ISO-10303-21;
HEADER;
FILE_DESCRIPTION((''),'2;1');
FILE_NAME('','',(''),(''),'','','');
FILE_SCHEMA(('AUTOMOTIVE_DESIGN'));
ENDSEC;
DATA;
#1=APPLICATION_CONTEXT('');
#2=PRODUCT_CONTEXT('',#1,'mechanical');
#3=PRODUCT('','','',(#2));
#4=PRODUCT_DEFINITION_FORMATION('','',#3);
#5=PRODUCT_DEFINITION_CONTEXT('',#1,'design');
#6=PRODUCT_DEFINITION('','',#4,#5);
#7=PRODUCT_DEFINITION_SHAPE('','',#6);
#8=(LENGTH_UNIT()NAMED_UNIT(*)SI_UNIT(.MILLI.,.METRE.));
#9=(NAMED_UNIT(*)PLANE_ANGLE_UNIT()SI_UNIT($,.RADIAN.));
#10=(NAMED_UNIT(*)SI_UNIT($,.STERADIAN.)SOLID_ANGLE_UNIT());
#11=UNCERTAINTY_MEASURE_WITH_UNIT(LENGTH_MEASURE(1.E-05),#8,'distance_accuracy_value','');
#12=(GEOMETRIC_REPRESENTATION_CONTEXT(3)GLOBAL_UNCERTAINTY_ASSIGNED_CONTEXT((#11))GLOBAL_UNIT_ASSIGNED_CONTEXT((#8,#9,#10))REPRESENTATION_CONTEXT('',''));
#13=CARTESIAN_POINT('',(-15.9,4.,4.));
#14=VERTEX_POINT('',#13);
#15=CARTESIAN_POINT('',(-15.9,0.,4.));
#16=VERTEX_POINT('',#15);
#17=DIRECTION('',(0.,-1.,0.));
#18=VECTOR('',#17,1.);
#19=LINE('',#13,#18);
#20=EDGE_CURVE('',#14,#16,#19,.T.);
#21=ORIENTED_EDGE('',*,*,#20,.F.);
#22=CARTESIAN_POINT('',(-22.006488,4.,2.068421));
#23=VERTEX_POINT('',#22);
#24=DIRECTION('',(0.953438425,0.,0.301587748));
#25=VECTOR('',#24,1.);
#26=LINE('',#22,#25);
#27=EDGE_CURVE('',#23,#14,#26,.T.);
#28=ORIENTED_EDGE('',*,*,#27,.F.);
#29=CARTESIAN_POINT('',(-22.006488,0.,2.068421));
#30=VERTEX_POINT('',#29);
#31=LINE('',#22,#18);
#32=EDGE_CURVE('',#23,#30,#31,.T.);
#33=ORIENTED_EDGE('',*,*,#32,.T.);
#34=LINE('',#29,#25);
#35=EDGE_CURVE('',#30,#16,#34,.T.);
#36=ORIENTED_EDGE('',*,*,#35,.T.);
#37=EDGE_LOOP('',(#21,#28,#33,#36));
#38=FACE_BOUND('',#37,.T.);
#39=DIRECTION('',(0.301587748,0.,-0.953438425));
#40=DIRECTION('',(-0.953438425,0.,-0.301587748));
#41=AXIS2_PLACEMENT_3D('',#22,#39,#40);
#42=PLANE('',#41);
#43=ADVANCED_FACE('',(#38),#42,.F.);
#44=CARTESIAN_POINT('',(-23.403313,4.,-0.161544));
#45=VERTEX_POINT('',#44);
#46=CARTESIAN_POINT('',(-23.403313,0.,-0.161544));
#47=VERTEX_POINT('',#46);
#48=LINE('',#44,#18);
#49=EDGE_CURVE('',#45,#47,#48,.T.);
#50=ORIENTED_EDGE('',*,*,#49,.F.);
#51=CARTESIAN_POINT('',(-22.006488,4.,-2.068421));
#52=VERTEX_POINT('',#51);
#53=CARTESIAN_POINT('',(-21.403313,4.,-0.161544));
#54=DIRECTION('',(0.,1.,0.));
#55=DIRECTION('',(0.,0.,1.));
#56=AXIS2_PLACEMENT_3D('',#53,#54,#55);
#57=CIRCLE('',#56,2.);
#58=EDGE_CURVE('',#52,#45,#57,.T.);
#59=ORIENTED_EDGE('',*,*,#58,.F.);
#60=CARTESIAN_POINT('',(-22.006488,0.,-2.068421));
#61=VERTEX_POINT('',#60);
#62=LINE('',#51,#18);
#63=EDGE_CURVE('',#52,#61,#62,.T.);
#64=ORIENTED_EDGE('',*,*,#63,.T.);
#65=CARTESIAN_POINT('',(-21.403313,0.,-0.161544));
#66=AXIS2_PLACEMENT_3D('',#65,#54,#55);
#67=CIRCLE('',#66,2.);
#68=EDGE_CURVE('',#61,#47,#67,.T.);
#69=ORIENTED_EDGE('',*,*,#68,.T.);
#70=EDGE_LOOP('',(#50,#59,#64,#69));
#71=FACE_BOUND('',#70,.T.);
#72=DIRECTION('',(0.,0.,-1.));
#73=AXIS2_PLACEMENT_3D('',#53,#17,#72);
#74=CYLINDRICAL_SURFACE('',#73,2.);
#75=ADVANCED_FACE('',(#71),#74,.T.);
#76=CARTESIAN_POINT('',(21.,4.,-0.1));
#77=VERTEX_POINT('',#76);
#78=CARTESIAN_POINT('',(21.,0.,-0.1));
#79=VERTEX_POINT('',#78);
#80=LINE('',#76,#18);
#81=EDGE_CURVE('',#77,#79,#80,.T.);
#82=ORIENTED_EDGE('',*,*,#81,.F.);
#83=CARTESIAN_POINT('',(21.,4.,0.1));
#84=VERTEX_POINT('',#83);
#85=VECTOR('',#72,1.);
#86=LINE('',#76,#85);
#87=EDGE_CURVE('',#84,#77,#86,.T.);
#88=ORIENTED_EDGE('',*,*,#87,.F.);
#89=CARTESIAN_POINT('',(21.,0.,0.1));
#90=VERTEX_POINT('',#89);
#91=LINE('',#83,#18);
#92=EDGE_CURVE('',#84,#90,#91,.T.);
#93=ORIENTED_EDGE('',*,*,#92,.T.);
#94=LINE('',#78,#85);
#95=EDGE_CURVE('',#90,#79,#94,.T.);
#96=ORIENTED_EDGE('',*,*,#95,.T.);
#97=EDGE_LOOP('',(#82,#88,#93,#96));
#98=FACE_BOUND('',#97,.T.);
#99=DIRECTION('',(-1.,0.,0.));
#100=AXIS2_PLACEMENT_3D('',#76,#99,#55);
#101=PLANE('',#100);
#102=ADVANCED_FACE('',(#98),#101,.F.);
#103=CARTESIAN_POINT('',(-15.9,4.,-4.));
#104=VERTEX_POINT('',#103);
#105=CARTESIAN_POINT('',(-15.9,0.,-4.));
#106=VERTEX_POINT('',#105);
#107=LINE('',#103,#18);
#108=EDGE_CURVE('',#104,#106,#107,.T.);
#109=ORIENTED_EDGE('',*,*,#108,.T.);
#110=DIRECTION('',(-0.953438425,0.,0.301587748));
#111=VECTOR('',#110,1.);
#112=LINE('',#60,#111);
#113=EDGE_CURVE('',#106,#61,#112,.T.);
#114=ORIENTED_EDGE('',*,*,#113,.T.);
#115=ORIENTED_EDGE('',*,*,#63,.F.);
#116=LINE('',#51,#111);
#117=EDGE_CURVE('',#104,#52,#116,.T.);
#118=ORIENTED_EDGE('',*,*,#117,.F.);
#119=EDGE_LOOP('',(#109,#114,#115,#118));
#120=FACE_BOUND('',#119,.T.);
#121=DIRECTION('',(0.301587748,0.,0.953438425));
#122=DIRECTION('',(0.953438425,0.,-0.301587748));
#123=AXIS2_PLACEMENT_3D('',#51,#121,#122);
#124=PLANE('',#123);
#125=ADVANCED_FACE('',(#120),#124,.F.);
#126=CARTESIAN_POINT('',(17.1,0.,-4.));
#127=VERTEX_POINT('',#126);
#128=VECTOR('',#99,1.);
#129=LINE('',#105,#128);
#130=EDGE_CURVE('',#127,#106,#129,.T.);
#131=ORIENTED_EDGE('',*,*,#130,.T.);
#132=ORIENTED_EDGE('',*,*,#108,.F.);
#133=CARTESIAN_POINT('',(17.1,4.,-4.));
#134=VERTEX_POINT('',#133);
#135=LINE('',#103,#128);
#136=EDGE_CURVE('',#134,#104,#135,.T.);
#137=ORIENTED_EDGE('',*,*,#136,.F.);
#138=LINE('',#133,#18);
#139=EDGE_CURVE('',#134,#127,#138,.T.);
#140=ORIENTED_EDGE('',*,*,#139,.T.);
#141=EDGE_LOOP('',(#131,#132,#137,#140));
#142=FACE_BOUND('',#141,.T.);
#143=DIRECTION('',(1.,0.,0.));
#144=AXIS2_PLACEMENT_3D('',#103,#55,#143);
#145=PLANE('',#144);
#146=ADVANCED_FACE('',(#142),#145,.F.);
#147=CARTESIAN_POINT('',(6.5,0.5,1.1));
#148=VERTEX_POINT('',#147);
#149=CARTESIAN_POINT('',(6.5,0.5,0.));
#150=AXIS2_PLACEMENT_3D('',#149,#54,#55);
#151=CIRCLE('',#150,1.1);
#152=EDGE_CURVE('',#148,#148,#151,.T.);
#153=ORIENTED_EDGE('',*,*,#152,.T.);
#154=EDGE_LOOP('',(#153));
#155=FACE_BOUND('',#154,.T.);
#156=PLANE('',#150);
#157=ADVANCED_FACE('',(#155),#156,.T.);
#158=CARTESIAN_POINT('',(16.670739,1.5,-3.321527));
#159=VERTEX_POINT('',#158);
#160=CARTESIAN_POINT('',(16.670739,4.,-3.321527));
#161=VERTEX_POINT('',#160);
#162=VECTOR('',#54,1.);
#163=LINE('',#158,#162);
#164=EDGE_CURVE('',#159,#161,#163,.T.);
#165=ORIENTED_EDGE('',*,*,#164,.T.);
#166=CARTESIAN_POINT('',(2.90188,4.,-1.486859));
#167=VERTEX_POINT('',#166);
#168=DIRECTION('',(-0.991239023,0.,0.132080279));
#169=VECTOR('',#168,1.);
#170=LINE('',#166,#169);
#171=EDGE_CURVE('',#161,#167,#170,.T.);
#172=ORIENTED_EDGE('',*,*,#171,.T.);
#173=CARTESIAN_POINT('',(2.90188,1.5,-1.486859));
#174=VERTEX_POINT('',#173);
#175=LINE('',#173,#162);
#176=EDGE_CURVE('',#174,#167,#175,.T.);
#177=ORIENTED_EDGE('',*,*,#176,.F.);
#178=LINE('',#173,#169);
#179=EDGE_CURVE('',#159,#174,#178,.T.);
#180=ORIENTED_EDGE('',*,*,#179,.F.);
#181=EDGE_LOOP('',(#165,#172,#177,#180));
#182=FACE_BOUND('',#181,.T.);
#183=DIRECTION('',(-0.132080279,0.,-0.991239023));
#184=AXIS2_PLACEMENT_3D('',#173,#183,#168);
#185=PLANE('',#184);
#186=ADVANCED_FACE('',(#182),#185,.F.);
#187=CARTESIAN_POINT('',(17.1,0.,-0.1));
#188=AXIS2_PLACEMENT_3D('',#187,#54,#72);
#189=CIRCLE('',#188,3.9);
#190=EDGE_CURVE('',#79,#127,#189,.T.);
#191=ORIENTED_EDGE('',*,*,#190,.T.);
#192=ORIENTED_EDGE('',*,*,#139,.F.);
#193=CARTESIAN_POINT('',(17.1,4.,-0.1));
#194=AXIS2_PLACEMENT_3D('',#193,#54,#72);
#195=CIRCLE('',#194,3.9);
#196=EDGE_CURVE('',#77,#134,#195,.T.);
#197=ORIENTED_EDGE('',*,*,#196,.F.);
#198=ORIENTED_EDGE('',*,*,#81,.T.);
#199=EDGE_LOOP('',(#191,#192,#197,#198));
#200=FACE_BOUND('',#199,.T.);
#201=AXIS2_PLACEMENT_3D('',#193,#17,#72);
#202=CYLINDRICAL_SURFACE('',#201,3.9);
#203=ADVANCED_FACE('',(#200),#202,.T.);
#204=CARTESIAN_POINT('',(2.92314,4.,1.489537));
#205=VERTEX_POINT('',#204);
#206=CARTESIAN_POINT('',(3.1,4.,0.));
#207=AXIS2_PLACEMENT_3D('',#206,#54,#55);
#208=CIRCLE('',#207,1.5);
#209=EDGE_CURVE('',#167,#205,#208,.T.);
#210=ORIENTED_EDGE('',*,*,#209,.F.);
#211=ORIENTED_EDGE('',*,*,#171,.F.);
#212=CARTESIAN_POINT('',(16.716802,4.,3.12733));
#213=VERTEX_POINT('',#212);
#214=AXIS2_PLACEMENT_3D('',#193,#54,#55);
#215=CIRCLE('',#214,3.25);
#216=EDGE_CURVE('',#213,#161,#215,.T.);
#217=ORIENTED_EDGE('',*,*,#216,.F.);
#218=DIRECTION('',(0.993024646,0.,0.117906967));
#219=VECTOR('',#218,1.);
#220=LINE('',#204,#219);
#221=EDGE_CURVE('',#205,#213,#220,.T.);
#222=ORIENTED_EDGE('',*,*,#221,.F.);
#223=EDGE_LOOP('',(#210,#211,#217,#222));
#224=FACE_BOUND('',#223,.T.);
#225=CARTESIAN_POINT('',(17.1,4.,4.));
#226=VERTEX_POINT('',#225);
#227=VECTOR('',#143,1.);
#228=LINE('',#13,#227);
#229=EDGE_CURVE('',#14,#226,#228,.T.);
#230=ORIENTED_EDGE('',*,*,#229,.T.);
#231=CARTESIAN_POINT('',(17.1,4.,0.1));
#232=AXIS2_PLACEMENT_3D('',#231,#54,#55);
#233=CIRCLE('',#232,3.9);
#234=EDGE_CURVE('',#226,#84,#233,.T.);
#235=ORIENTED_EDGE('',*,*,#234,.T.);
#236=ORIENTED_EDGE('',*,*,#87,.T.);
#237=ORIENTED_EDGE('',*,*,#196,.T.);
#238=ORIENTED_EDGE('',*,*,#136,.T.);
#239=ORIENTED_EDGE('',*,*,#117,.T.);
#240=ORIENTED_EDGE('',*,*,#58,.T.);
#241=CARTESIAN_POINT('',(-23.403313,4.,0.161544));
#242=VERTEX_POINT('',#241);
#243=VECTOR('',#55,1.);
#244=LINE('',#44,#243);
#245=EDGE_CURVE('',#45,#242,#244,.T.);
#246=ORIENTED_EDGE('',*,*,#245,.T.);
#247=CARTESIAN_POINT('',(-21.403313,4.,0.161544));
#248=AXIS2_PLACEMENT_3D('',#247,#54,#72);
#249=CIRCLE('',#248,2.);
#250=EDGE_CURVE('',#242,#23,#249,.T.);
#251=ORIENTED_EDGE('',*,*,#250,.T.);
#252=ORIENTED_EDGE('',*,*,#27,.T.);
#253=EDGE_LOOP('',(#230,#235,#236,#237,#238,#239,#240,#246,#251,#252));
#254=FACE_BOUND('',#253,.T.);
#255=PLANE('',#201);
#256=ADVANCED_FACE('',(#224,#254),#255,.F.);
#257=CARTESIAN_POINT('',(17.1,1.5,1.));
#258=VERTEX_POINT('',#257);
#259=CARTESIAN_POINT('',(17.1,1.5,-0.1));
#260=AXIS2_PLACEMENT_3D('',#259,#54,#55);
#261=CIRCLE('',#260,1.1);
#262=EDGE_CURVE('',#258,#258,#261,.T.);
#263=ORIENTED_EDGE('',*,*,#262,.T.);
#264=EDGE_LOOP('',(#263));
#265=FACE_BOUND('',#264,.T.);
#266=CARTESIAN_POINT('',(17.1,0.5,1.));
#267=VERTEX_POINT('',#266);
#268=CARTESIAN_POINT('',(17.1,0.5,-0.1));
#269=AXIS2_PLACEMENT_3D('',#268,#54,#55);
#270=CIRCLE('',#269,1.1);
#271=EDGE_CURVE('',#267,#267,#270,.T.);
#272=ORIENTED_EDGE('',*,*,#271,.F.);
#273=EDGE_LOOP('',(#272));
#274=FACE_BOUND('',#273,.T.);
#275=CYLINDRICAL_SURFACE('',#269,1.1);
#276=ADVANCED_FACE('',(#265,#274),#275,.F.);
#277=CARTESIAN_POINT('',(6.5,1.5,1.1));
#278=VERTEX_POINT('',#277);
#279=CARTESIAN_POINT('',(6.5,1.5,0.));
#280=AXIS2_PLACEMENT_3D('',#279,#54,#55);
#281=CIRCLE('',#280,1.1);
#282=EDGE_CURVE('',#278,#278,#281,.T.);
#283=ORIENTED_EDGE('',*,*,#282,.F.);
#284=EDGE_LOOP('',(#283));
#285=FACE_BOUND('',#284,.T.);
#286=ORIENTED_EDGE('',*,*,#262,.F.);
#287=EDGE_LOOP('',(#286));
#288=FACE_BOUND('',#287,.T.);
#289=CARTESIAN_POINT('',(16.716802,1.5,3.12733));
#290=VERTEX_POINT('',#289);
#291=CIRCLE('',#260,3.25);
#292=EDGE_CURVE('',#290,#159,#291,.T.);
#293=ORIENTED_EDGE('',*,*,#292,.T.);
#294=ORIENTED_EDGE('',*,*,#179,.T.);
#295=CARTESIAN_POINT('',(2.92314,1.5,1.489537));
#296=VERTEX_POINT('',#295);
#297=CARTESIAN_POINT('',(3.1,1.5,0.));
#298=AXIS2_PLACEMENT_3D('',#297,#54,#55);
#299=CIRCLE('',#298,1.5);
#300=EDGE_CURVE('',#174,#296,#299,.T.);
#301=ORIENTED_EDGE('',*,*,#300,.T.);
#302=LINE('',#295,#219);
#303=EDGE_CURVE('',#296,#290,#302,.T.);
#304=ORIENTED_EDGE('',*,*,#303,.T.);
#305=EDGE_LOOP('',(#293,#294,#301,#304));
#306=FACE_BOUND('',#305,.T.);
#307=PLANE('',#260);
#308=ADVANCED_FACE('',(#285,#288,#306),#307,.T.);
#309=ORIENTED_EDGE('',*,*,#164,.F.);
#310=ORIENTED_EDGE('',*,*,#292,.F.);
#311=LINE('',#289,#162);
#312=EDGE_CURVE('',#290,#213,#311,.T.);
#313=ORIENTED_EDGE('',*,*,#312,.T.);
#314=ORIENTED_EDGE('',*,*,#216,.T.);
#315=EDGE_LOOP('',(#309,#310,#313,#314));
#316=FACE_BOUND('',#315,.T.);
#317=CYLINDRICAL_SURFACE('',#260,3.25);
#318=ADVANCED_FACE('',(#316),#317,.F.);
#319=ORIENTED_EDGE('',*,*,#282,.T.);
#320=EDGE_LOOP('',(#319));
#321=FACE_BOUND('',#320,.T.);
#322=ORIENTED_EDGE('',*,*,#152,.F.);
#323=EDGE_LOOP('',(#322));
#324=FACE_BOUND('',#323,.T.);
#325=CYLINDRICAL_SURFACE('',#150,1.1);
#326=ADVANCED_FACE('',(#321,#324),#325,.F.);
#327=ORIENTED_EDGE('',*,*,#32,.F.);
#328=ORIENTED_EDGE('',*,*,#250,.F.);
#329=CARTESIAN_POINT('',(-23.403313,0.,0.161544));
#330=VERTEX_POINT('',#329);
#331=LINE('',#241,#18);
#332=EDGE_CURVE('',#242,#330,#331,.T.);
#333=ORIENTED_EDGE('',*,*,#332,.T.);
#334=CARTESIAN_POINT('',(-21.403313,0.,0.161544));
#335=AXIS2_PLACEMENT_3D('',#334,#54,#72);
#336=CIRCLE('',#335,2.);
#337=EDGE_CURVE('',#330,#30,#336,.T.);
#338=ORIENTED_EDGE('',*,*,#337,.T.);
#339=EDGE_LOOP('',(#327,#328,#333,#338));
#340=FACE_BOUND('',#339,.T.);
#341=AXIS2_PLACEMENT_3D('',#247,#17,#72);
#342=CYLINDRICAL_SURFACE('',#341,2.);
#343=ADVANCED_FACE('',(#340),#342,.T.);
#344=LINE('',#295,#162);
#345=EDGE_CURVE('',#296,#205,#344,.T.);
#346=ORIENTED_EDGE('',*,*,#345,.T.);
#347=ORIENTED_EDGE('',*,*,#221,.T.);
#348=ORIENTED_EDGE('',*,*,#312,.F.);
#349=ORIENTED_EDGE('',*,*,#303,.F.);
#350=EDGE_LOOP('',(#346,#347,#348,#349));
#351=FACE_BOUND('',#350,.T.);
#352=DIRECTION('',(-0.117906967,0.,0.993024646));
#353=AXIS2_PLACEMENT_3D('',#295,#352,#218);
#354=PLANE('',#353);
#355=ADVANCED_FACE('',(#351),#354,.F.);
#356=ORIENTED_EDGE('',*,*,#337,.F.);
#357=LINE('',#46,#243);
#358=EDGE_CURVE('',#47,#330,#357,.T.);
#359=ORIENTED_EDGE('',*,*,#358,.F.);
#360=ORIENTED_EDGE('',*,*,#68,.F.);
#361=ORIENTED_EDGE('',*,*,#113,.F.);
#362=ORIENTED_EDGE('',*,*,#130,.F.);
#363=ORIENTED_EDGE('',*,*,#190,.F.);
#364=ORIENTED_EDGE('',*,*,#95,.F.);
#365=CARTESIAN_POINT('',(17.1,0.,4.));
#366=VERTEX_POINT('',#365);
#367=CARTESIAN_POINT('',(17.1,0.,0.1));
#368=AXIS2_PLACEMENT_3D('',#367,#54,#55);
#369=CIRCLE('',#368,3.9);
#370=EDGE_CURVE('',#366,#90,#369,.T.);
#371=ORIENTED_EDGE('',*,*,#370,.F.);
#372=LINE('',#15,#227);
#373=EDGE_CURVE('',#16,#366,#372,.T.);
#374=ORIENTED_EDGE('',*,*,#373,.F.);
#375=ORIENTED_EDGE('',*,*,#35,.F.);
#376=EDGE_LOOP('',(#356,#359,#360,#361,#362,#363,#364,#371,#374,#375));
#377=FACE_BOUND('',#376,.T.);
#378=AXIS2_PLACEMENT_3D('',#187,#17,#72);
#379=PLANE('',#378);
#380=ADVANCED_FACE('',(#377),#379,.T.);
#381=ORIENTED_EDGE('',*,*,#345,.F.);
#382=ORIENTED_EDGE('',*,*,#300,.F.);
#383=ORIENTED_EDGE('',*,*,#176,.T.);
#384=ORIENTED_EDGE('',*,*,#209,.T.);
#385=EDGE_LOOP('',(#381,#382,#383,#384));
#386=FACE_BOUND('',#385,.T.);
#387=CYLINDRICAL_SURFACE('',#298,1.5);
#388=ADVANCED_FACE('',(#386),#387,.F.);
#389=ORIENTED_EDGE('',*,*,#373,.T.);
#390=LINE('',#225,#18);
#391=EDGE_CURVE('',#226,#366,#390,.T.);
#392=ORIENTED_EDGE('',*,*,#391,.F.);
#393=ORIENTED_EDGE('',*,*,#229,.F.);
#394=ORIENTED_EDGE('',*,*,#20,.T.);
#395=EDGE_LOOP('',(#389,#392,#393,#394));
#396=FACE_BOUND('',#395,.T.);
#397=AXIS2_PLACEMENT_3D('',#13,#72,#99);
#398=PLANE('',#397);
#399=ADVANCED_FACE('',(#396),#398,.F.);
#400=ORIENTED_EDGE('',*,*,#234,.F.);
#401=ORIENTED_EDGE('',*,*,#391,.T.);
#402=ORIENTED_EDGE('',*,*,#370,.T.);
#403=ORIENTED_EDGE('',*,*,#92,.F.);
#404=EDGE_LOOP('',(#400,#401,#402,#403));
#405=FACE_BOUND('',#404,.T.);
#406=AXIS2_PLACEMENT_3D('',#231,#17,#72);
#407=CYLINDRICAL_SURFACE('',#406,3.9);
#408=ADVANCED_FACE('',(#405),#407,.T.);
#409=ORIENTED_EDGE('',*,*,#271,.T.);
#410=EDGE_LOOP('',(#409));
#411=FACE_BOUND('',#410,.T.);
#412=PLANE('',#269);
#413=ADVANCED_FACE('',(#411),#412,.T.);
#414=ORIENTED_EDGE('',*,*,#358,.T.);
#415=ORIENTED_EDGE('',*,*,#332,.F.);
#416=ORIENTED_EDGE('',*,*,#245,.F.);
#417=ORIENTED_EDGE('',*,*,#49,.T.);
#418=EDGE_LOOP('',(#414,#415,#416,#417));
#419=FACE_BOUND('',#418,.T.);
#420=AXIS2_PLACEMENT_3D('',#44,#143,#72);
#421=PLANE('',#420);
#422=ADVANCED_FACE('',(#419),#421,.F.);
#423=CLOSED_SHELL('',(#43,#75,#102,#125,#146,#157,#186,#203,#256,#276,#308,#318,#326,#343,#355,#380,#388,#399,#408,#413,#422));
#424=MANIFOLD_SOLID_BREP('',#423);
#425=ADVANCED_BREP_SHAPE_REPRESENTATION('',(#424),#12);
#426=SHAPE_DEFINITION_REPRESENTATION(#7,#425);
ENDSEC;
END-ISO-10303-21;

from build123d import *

# Parameters (mm, degrees)
EXTRUDE_1_DEPTH     = 4
CUT_EXTRUDE_1_DEPTH = 2.5
SKETCH_4_R          = 1.1
CUT_EXTRUDE_2_DEPTH = 1


with BuildPart() as part:
    # 草图1 → 凸台-拉伸1 (new body)
    with BuildSketch(Plane(origin=(0, 0, 0), x_dir=(1, 0, 0), z_dir=(0, 1, 0))):
        with BuildLine():
            Line((-22.006488129, 2.068420622), (-15.9, 4))
            Line((-15.9, 4), (17.1, 4))
            ThreePointArc((17.1, 4), (19.857716447, 2.857716447), (21, 0.1))
            Line((21, 0.1), (21, -0.1))
            ThreePointArc((21, -0.1), (19.857716447, -2.857716447), (17.1, -4))
            Line((17.1, -4), (-15.9, -4))
            Line((-15.9, -4), (-22.006488129, -2.068420622))
            ThreePointArc((-22.006488129, -2.068420622), (-23.016748562, -1.343417075), (-23.403312634, -0.161543771))
            Line((-23.403312634, -0.161543771), (-23.403312634, 0.161543771))
            ThreePointArc((-23.403312634, 0.161543771), (-23.016748562, 1.343417075), (-22.006488129, 2.068420622))
        make_face()
    extrude(amount=EXTRUDE_1_DEPTH)

    # 草图2 → 切除-拉伸1 (cut)
    with BuildSketch(Plane(origin=(0, 4, 0), x_dir=(1, 0, 0), z_dir=(0, 1, 0))):
        with BuildLine():
            Line((2.901879582, 1.486858534), (16.670739094, 3.321526824))
            ThreePointArc((16.670739094, 3.321526824), (20.349917095, 0.123213694), (16.716802358, -3.127330099))
            Line((16.716802358, -3.127330099), (2.92313955, -1.489536969))
            ThreePointArc((2.92313955, -1.489536969), (1.600038264, -0.010714012), (2.901879582, 1.486858534))
        make_face()
    extrude(amount=-CUT_EXTRUDE_1_DEPTH, mode=Mode.SUBTRACT)

    # 草图4 → 切除-拉伸2 (cut)
    with BuildSketch(Plane(origin=(0, 1.5, 0), x_dir=(1, 0, 0), z_dir=(0, 1, 0))):
        with Locations((17.1, 0.1)):
            Circle(SKETCH_4_R)
        with Locations((6.5, 0)):
            Circle(SKETCH_4_R)
    extrude(amount=-CUT_EXTRUDE_2_DEPTH, mode=Mode.SUBTRACT)


solid = part.part
